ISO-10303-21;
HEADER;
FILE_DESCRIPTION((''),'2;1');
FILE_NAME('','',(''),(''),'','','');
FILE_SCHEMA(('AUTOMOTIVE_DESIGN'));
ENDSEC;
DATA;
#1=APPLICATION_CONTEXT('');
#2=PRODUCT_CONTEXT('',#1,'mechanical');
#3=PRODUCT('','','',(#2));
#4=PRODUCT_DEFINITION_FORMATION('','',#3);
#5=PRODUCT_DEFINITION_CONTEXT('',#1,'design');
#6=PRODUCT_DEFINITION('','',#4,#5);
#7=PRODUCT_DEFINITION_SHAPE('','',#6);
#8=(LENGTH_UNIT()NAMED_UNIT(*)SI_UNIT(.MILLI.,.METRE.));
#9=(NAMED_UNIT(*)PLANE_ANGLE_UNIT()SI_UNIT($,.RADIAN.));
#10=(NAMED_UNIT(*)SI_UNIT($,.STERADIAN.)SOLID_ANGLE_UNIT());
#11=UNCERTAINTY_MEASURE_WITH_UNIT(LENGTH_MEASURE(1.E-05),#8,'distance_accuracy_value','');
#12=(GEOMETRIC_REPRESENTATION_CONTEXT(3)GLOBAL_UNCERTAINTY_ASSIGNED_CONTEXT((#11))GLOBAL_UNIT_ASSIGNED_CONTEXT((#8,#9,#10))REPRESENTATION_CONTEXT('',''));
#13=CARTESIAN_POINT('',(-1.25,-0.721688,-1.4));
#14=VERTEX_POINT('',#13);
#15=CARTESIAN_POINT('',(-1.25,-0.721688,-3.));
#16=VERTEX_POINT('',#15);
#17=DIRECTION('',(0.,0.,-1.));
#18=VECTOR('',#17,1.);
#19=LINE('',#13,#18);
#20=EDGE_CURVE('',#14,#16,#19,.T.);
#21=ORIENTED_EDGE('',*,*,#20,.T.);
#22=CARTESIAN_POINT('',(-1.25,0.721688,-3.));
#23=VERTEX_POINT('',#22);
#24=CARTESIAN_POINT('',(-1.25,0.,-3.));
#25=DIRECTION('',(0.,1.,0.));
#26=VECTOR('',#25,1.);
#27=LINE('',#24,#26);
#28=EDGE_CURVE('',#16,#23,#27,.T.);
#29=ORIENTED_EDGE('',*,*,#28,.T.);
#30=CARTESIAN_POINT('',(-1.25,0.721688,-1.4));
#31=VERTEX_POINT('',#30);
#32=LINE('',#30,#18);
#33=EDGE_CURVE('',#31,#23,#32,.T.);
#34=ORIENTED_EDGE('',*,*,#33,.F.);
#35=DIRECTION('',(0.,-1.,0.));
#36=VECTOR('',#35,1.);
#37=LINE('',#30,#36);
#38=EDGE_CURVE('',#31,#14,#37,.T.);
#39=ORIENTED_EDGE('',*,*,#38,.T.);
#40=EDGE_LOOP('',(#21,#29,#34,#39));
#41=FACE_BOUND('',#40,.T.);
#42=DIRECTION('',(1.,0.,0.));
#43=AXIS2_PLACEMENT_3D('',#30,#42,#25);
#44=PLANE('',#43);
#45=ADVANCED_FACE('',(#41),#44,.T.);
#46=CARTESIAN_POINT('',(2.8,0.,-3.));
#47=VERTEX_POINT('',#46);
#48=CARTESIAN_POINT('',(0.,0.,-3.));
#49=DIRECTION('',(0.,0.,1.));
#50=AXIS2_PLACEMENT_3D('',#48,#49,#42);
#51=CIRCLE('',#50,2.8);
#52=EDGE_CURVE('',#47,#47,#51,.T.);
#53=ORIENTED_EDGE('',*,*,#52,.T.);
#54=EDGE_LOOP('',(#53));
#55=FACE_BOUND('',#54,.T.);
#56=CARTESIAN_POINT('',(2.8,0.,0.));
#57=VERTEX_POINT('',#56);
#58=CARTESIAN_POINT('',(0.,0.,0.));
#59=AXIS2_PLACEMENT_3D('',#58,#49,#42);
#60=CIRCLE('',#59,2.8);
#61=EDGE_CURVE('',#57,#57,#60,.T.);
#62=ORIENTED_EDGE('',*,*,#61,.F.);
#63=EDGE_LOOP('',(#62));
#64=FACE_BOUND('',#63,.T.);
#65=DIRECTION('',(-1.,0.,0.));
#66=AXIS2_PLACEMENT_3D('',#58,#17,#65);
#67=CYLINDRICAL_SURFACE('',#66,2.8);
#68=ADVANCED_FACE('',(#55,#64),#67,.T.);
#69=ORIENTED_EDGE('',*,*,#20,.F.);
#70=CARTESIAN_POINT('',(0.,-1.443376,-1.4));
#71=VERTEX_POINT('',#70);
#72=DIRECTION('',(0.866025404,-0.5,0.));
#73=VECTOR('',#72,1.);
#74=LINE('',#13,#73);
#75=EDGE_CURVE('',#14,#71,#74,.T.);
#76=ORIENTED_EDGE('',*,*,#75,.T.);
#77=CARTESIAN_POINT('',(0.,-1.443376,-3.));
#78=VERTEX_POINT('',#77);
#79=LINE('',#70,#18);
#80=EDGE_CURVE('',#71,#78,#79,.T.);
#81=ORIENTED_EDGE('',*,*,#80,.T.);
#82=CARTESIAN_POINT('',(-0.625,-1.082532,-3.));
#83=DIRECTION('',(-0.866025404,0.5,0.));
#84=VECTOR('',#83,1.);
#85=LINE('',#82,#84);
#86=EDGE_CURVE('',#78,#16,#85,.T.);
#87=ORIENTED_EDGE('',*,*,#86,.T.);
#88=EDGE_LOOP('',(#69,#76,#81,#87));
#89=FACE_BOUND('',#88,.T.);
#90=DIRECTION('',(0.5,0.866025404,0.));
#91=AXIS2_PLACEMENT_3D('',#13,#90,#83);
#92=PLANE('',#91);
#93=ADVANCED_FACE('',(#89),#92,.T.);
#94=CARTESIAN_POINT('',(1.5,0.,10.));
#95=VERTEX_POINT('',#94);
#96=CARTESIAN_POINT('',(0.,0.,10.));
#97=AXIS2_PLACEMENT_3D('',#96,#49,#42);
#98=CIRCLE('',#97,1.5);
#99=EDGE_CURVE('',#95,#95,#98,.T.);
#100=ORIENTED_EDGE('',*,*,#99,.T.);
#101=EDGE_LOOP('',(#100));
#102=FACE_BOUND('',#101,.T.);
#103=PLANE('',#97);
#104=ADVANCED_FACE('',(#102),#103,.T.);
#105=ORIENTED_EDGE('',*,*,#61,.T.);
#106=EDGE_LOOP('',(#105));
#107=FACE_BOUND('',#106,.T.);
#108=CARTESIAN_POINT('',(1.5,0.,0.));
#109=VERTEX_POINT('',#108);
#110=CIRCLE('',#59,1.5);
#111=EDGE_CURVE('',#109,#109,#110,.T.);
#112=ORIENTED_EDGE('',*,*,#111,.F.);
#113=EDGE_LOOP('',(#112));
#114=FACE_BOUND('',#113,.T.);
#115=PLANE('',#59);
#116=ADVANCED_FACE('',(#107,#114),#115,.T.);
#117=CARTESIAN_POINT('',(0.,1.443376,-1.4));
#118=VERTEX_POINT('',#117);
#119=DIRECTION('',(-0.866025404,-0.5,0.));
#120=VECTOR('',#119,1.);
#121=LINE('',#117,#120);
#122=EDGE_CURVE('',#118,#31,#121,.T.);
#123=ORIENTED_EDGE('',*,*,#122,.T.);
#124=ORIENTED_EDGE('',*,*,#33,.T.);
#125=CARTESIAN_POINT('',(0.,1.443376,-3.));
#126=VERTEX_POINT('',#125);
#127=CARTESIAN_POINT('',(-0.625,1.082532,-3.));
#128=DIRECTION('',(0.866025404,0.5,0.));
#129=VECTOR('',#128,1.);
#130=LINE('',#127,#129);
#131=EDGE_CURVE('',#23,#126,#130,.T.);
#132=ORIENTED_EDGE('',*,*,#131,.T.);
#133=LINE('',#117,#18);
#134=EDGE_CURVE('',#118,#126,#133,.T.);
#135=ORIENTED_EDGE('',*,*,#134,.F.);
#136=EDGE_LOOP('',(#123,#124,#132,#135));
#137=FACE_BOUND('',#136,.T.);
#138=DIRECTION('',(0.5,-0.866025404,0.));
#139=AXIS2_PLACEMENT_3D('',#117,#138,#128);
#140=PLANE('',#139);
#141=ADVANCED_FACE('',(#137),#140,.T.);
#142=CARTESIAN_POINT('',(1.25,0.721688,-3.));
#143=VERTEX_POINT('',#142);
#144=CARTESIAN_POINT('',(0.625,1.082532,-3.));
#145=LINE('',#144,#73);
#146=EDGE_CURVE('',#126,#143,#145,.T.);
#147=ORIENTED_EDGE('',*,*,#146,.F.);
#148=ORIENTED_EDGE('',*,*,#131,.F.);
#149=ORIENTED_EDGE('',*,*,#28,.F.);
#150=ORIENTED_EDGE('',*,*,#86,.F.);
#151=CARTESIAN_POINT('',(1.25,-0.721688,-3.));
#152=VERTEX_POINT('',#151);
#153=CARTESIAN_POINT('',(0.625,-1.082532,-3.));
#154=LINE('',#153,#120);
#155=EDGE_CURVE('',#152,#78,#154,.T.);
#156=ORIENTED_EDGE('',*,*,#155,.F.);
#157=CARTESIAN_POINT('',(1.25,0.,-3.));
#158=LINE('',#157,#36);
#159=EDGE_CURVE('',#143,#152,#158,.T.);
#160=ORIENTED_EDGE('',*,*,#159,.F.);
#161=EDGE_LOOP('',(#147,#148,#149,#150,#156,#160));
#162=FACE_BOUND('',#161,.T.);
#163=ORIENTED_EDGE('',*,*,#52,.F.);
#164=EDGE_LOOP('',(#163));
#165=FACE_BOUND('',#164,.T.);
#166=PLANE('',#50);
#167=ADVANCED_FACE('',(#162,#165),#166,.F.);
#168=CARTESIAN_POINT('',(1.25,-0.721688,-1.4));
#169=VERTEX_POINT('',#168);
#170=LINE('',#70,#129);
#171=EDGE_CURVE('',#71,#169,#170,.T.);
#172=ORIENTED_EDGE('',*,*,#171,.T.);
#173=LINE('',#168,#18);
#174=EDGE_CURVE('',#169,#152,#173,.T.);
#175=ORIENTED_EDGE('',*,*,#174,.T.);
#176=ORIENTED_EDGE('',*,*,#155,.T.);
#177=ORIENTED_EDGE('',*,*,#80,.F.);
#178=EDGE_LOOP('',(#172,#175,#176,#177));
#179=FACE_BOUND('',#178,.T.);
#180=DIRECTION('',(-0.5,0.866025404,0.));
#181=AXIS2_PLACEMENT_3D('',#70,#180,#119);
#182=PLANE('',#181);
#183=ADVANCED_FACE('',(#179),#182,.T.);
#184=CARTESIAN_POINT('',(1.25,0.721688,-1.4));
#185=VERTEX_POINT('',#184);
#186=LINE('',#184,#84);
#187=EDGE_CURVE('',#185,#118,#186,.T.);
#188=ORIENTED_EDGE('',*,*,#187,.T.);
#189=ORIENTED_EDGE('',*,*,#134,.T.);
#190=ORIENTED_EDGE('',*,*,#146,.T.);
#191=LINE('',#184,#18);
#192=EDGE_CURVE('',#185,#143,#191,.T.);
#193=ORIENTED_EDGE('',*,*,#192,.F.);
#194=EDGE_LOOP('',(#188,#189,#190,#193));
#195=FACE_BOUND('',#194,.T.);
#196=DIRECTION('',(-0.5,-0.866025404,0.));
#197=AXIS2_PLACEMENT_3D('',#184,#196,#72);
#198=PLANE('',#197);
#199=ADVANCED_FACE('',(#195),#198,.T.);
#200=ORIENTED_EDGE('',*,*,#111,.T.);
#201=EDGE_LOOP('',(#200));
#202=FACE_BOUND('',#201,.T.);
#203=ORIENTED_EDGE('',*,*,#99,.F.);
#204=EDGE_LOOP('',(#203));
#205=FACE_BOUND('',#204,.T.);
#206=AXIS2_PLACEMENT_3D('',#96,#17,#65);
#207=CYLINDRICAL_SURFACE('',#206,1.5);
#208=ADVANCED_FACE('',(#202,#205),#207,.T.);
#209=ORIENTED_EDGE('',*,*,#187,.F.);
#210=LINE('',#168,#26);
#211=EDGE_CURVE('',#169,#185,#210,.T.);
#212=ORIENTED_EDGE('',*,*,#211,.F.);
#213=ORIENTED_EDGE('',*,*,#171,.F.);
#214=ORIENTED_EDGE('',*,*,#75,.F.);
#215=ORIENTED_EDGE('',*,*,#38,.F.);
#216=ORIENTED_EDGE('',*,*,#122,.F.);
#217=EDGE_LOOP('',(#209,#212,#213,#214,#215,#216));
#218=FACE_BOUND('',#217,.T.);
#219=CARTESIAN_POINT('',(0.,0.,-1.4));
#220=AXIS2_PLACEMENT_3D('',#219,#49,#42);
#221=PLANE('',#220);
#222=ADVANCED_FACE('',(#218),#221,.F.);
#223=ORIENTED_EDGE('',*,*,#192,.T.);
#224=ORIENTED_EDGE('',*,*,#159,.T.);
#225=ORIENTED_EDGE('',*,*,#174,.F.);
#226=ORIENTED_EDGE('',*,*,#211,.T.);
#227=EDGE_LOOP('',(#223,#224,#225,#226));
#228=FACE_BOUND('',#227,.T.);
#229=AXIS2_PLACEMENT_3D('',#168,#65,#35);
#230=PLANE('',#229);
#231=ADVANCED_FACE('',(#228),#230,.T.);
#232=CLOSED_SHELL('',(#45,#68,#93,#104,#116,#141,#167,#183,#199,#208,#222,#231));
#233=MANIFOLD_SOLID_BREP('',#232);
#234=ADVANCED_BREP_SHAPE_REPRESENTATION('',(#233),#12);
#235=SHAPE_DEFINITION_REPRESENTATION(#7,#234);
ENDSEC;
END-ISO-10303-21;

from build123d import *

# Parameters (mm, degrees)
HEAD_START       = -3
SKETCH1_R        = 2.8
HEAD_DEPTH       = 3
SKETCH2_R        = 1.5
SHANK_DEPTH      = 10
HEX_START        = -3.2
HEX_SOCKET_DEPTH = 1.8


with BuildPart() as part:
    # Sketch1 → Head (new body)
    with BuildSketch(Plane.XY.offset(HEAD_START)):
        Circle(SKETCH1_R)
    extrude(amount=HEAD_DEPTH)

    # Sketch2 → Shank (add)
    with BuildSketch(Plane.XY):
        Circle(SKETCH2_R)
    extrude(amount=SHANK_DEPTH)

    # Sketch3 → Hex socket (cut)
    with BuildSketch(Plane.XY.offset(HEX_START)):
        Polygon((1.25, 0.721687836), (0, 1.443375673), (-1.25, 0.721687836), (-1.25, -0.721687836), (0, -1.443375673), (1.25, -0.721687836), align=None)
    extrude(amount=HEX_SOCKET_DEPTH, mode=Mode.SUBTRACT)


solid = part.part
